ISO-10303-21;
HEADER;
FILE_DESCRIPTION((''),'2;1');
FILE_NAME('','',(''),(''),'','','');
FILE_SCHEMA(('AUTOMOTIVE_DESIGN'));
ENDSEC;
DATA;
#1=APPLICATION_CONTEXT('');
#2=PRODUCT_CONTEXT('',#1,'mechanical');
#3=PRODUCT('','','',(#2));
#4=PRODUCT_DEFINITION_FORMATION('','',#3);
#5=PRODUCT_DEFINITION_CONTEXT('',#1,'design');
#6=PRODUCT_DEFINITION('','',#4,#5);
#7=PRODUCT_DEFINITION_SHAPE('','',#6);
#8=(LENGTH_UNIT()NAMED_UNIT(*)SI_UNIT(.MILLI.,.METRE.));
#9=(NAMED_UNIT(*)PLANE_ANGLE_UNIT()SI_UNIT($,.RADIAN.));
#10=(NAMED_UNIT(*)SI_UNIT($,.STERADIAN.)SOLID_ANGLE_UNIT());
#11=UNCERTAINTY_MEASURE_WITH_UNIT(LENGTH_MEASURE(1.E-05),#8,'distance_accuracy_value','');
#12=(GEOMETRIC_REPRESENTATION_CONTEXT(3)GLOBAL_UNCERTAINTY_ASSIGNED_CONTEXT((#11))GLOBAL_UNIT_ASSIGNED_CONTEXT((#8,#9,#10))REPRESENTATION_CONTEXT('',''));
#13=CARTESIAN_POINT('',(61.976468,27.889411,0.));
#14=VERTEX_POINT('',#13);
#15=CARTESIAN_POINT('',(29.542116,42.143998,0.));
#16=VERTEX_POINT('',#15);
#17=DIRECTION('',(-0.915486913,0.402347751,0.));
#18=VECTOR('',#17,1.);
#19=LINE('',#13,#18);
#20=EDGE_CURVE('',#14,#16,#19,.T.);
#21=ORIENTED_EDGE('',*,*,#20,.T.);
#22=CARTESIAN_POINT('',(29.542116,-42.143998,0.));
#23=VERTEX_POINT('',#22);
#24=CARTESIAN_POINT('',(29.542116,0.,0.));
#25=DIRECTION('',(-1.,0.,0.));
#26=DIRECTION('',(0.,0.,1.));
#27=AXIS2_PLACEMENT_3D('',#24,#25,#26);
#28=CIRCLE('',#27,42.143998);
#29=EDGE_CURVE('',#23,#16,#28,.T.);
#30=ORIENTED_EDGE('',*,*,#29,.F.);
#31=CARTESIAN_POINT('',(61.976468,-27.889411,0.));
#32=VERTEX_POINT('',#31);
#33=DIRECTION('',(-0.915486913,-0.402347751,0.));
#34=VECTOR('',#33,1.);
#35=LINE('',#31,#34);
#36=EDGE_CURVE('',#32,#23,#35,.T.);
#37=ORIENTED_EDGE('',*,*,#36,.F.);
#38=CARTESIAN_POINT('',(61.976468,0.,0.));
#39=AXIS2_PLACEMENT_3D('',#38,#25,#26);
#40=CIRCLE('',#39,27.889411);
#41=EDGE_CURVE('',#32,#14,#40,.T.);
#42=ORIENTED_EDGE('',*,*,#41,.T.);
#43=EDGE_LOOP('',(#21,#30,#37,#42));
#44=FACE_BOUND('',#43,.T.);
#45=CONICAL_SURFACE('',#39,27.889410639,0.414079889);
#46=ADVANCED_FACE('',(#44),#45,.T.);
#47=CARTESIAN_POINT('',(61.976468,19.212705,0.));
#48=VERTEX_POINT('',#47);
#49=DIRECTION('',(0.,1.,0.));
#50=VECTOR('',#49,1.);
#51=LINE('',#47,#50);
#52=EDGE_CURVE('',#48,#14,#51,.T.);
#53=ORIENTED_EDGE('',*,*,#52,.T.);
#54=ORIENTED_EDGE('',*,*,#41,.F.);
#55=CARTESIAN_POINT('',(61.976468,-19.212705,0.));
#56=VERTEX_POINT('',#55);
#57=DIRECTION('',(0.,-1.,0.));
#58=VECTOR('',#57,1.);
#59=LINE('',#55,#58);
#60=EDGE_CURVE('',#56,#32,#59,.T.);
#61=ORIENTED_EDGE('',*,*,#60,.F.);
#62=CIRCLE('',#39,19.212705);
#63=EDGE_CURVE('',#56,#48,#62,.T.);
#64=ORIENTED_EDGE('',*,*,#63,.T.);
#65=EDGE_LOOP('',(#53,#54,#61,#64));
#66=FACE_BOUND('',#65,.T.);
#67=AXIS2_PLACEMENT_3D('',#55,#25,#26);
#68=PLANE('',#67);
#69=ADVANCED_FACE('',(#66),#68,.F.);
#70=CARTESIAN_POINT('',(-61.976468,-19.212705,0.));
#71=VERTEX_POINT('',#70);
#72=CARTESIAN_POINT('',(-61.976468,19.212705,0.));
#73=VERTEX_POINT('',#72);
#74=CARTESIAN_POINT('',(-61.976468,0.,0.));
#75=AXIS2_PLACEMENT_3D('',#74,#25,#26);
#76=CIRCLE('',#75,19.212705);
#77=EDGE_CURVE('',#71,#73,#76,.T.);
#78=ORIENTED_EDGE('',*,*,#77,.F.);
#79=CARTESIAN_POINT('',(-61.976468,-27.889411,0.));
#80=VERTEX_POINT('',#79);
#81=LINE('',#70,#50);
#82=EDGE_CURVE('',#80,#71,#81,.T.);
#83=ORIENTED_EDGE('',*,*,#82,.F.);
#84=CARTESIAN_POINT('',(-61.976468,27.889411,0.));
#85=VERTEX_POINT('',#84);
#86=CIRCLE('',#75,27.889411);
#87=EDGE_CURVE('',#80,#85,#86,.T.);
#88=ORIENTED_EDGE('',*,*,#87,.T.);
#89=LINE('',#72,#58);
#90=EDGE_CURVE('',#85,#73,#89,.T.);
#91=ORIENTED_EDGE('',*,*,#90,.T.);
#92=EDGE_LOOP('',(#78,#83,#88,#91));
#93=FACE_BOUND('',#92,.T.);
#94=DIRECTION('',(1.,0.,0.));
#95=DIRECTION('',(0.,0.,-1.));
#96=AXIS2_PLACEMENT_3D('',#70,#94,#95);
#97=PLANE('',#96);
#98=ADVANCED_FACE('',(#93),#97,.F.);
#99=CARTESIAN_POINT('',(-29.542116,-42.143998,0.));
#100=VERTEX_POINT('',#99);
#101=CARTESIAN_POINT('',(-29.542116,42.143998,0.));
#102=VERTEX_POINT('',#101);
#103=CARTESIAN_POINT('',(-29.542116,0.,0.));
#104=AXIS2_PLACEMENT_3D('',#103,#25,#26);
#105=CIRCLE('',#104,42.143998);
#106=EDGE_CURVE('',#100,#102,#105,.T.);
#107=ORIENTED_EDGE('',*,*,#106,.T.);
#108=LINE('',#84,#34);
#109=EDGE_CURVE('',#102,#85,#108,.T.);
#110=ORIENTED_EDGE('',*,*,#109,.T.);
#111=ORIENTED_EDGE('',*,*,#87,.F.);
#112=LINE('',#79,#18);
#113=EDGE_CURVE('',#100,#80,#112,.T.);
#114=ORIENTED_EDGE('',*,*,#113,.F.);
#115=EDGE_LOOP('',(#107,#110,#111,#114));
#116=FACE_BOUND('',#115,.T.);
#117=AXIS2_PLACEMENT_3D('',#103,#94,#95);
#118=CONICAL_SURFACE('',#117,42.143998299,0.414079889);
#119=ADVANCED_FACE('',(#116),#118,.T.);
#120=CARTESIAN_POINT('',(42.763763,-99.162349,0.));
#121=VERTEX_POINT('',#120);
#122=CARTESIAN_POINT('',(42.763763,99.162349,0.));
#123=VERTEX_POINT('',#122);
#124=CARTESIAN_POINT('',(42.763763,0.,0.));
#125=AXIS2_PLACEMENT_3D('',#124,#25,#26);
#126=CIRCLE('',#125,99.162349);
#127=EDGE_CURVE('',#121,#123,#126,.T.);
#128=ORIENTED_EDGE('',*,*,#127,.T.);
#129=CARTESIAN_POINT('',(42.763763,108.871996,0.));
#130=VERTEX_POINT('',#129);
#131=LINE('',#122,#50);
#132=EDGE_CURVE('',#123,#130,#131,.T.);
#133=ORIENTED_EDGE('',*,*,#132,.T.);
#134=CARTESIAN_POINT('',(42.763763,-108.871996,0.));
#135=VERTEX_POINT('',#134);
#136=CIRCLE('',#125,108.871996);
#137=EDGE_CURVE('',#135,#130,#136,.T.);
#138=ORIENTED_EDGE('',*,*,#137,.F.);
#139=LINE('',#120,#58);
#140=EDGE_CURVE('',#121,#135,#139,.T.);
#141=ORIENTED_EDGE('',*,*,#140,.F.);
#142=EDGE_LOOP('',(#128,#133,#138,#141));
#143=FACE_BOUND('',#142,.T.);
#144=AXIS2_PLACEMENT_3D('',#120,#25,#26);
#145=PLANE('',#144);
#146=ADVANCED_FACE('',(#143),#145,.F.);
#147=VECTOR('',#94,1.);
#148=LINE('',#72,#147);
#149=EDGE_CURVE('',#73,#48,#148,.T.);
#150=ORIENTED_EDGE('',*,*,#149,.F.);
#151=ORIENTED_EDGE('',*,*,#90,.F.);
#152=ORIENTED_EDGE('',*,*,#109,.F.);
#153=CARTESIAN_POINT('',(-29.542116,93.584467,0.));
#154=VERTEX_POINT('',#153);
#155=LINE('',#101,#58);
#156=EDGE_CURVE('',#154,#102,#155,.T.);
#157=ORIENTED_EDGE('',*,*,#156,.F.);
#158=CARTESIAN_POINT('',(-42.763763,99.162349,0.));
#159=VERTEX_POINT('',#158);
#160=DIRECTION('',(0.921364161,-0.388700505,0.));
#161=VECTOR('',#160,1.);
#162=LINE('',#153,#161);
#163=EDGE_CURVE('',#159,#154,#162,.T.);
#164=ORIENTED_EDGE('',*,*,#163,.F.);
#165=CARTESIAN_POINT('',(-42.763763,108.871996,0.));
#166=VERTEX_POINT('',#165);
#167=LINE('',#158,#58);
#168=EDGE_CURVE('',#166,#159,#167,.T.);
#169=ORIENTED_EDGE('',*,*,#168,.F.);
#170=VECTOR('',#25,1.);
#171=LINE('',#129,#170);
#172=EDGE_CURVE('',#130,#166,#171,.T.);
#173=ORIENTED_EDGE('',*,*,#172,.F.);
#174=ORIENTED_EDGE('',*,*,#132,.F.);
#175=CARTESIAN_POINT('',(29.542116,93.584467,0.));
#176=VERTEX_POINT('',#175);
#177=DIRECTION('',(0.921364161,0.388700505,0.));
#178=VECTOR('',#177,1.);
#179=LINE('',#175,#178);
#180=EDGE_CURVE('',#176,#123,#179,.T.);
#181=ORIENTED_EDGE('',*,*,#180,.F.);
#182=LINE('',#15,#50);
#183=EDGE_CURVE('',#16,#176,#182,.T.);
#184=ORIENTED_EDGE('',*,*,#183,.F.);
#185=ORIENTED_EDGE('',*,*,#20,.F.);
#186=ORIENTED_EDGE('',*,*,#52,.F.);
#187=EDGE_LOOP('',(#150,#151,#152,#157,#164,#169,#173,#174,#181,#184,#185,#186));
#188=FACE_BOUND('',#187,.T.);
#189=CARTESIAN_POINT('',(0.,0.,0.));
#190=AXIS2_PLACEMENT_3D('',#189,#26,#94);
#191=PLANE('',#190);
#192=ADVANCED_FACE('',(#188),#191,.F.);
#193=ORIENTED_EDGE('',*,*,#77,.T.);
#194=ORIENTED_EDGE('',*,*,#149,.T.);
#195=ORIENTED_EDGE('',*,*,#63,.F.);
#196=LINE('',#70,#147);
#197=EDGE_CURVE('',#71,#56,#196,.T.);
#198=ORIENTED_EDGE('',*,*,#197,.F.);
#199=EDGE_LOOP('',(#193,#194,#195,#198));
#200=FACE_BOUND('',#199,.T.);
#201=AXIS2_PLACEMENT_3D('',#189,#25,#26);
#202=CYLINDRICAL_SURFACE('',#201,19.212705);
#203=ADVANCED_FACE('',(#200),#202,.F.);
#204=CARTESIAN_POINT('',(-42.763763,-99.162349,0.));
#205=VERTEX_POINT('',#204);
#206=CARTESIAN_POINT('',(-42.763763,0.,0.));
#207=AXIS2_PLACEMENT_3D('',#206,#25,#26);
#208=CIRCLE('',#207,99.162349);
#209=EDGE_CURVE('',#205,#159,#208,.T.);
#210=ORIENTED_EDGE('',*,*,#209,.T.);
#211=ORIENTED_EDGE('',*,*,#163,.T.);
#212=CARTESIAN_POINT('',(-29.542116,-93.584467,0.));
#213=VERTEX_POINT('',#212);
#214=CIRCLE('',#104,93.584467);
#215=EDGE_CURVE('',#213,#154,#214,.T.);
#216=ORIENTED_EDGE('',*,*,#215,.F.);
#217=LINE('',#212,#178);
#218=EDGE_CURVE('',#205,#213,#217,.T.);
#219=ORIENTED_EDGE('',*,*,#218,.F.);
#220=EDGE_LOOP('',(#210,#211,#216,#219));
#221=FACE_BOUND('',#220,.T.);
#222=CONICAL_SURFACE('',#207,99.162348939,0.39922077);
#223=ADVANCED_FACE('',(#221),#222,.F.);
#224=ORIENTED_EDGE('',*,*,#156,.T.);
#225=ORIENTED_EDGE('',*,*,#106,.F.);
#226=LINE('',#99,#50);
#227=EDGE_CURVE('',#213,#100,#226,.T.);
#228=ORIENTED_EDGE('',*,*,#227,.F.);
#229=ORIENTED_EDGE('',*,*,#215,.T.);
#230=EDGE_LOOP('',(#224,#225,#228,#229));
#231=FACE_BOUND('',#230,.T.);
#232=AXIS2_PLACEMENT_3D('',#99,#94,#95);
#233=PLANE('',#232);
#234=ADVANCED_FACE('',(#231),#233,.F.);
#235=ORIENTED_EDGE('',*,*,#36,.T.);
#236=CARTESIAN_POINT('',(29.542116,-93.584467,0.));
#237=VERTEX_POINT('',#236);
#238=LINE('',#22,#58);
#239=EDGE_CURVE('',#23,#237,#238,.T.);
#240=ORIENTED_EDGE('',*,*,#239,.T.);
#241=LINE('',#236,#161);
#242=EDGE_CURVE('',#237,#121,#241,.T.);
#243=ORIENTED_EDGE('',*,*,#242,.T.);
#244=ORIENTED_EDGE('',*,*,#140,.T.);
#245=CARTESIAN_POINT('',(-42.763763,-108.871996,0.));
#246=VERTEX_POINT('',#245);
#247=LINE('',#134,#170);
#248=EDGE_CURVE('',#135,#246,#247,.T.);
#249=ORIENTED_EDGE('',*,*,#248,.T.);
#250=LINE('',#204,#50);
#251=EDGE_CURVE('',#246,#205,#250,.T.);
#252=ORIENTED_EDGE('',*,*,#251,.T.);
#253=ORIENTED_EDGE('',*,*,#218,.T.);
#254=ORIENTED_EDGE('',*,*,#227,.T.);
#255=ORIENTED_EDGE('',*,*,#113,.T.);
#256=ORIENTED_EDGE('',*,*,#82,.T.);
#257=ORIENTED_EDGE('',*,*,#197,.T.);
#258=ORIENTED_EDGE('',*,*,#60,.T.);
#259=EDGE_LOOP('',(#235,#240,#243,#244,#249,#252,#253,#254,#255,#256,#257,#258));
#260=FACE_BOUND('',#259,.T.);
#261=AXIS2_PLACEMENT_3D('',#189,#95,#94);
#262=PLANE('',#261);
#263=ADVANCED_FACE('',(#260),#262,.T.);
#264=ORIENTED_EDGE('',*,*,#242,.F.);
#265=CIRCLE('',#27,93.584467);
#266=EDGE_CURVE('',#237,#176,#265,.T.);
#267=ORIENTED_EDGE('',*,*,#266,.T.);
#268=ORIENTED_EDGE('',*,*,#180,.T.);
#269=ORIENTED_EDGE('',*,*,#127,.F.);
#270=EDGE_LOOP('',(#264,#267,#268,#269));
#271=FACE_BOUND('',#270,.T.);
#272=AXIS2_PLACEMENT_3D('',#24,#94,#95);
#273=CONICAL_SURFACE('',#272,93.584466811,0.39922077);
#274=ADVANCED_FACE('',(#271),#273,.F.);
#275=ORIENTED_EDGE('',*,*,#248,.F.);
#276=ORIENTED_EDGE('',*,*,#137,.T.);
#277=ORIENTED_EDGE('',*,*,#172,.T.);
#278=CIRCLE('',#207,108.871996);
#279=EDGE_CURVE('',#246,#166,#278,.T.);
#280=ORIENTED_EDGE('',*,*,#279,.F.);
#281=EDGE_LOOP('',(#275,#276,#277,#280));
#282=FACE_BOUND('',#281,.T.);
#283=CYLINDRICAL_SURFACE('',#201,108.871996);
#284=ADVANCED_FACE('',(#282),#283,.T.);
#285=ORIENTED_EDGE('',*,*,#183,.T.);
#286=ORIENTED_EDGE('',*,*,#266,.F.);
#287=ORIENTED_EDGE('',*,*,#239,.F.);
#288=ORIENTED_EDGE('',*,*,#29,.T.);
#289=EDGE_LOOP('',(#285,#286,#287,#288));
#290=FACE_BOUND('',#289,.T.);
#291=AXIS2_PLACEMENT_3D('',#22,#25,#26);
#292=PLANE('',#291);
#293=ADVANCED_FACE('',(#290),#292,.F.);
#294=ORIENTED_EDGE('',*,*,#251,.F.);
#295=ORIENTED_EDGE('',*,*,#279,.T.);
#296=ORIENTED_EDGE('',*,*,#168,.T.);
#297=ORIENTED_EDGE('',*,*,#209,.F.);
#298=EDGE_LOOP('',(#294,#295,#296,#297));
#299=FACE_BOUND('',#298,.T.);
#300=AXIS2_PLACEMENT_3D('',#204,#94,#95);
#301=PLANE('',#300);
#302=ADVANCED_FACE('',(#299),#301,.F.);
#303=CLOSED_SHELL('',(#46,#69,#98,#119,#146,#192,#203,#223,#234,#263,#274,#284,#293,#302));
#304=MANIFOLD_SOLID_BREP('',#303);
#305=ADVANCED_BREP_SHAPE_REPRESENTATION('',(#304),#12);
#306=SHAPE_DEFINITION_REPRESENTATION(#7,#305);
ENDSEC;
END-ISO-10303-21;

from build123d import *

# Parameters (mm, degrees)
REVOLVE_1_ANGLE = 180


with BuildPart() as part:
    # 草图1 → 旋转1 (revolve)
    with BuildSketch(Plane.XY):
        Polygon((-61.976468087, 19.212705107), (61.976468087, 19.212705107), (61.976468087, 27.889410639), (29.542116455, 42.143998299), (29.542116455, 93.584466811), (42.76376298, 99.162348939), (42.76376298, 108.871995605), (-42.76376298, 108.871995605), (-42.76376298, 99.162348939), (-29.542116455, 93.584466811), (-29.542116455, 42.143998299), (-61.976468087, 27.889410639), align=None)
    revolve(axis=Axis((0, 0, 0), (1, 0, 0)), revolution_arc=REVOLVE_1_ANGLE)


solid = part.part
